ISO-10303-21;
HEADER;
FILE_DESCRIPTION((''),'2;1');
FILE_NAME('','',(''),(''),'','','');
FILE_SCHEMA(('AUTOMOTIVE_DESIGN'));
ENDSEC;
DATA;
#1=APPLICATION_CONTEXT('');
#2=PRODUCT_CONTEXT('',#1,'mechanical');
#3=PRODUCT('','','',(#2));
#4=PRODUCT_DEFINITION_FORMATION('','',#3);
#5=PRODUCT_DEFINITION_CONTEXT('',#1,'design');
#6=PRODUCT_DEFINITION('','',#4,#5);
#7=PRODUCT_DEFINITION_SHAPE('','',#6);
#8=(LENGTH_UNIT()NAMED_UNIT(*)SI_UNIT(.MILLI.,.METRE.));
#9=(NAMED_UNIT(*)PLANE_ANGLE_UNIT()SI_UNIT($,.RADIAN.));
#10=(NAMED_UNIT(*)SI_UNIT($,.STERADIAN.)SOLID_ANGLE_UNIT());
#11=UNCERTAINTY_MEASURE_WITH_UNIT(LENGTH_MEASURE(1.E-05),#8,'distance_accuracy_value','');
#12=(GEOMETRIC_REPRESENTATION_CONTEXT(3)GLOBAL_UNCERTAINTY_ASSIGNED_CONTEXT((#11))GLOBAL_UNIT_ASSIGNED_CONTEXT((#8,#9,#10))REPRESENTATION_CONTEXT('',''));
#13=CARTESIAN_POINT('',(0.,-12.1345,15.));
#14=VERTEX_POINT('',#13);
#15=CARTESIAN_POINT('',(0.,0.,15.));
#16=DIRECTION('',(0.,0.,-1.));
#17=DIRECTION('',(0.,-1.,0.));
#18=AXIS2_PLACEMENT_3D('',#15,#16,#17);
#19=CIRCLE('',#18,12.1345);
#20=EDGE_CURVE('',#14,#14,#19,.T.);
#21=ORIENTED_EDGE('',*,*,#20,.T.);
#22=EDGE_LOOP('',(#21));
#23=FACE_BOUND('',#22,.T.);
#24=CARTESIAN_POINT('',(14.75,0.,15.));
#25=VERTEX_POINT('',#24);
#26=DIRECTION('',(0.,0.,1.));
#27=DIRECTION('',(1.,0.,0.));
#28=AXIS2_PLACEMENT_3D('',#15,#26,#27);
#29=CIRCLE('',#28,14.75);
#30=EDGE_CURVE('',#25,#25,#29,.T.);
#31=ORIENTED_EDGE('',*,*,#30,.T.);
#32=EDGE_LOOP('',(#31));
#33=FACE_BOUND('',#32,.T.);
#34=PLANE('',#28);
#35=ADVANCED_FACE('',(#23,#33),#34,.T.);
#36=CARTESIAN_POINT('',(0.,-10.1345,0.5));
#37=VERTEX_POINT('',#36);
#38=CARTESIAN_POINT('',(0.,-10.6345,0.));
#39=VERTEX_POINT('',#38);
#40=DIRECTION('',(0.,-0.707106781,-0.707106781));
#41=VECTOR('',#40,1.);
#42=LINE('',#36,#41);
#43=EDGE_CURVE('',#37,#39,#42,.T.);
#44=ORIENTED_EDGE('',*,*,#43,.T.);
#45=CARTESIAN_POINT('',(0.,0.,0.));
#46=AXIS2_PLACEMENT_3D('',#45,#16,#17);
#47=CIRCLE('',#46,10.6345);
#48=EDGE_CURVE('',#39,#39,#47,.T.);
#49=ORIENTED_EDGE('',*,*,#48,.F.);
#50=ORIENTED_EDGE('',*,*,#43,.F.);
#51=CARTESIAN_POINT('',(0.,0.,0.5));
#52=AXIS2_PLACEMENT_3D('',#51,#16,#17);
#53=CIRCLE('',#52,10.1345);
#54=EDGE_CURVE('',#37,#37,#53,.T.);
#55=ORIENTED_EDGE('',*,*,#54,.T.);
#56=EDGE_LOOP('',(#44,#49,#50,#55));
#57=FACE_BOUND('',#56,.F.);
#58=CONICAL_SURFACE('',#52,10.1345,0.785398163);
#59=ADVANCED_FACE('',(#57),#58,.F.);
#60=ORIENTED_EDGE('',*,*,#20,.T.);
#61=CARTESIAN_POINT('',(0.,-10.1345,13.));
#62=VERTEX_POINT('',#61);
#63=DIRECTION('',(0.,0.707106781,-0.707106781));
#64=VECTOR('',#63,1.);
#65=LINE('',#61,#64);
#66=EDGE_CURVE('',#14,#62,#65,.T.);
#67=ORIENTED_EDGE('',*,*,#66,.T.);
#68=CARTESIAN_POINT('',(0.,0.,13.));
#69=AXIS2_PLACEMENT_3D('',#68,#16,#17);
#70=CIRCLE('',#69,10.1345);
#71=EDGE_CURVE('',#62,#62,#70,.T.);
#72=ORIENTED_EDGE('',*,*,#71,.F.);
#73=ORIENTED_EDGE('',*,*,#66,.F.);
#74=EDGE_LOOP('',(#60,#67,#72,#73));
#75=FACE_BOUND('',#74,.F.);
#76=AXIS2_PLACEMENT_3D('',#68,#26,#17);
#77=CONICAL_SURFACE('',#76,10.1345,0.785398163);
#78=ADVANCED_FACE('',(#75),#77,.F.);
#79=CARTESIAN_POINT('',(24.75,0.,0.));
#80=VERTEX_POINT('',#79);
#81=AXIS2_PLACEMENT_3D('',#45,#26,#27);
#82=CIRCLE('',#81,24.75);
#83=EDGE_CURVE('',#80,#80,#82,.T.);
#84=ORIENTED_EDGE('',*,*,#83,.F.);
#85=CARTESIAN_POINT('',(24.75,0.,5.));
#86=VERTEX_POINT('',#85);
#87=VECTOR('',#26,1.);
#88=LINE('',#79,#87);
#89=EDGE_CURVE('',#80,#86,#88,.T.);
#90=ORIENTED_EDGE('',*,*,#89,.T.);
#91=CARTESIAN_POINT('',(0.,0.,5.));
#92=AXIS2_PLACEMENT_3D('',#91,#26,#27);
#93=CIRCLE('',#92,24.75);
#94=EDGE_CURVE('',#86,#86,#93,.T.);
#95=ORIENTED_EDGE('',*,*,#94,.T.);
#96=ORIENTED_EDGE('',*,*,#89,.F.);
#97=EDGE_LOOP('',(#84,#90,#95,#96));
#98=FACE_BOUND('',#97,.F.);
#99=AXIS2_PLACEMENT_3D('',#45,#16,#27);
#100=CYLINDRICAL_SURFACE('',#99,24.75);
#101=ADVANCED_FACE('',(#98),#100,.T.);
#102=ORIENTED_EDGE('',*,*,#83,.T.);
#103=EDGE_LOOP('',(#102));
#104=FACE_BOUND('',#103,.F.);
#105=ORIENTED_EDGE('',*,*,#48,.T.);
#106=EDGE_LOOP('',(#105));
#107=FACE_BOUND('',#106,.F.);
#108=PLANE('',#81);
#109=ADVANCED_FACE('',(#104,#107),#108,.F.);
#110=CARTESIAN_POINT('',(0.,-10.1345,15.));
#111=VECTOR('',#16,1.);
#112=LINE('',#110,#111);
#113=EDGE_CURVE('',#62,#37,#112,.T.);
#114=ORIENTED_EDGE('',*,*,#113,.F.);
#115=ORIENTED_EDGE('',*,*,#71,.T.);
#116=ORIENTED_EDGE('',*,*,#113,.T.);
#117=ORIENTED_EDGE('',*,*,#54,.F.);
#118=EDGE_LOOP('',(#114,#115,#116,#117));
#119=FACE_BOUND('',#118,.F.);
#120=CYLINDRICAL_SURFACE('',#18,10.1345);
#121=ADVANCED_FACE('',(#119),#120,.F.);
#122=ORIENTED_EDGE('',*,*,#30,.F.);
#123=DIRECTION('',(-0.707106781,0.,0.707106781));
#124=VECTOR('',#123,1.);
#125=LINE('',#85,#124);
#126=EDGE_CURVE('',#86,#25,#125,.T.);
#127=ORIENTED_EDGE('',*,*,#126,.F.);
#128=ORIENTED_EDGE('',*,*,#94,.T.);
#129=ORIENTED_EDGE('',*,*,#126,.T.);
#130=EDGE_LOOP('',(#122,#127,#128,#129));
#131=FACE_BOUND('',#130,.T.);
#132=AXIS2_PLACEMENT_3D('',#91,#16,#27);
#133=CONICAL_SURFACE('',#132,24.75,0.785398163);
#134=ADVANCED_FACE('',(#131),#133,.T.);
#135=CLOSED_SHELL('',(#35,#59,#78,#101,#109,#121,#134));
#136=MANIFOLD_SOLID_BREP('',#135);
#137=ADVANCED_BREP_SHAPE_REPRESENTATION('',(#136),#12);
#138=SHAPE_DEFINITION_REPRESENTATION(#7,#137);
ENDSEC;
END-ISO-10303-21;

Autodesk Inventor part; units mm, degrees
ref_plane "YZ Plane" through (0, 0, 0) normal (1, 0, 0) x (0, 1, 0)
ref_plane "XZ Plane" through (0, 0, 0) normal (0, 1, 0) x (-1, 0, 0)
ref_plane "XY Plane" through (0, 0, 0) normal (0, 0, 1) x (1, 0, 0)
sketch "Sketch1" plane through (0, 0, 0) normal (0, 0, 1) x (1, 0, 0)
  circle A0 centre (0, 0) radius 24.75
  dimension "d0" = 49.5
extrude "Extrusion1" add sketch "Sketch1" along normal blind 15
sketch "Sketch2" plane through (0, 0, 15) normal (0, 0, 1) x (1, 0, 0)
  circle A0 centre (0, 0) radius 24.75 projected
hole "Hole1" at (0, 0, 15) direction (0, 0, -1) diameter 20.269 depth 15 tip angle 118 thread size "7/8-14 UNF" class "2B" standard "ANSI Unified Screw Threads"
chamfer "Chamfer1" distance 10 angle 45 1 edges at (-24.75, 0, 15)
chamfer "Chamfer2" distance 2 angle 45 1 edges at (0, 10.1345, 15)
chamfer "Chamfer3" distance 0.5 angle 45 1 edges at (0, 10.1345, 0)
properties part number "LUVA(24)" material "Carbon Steel"
